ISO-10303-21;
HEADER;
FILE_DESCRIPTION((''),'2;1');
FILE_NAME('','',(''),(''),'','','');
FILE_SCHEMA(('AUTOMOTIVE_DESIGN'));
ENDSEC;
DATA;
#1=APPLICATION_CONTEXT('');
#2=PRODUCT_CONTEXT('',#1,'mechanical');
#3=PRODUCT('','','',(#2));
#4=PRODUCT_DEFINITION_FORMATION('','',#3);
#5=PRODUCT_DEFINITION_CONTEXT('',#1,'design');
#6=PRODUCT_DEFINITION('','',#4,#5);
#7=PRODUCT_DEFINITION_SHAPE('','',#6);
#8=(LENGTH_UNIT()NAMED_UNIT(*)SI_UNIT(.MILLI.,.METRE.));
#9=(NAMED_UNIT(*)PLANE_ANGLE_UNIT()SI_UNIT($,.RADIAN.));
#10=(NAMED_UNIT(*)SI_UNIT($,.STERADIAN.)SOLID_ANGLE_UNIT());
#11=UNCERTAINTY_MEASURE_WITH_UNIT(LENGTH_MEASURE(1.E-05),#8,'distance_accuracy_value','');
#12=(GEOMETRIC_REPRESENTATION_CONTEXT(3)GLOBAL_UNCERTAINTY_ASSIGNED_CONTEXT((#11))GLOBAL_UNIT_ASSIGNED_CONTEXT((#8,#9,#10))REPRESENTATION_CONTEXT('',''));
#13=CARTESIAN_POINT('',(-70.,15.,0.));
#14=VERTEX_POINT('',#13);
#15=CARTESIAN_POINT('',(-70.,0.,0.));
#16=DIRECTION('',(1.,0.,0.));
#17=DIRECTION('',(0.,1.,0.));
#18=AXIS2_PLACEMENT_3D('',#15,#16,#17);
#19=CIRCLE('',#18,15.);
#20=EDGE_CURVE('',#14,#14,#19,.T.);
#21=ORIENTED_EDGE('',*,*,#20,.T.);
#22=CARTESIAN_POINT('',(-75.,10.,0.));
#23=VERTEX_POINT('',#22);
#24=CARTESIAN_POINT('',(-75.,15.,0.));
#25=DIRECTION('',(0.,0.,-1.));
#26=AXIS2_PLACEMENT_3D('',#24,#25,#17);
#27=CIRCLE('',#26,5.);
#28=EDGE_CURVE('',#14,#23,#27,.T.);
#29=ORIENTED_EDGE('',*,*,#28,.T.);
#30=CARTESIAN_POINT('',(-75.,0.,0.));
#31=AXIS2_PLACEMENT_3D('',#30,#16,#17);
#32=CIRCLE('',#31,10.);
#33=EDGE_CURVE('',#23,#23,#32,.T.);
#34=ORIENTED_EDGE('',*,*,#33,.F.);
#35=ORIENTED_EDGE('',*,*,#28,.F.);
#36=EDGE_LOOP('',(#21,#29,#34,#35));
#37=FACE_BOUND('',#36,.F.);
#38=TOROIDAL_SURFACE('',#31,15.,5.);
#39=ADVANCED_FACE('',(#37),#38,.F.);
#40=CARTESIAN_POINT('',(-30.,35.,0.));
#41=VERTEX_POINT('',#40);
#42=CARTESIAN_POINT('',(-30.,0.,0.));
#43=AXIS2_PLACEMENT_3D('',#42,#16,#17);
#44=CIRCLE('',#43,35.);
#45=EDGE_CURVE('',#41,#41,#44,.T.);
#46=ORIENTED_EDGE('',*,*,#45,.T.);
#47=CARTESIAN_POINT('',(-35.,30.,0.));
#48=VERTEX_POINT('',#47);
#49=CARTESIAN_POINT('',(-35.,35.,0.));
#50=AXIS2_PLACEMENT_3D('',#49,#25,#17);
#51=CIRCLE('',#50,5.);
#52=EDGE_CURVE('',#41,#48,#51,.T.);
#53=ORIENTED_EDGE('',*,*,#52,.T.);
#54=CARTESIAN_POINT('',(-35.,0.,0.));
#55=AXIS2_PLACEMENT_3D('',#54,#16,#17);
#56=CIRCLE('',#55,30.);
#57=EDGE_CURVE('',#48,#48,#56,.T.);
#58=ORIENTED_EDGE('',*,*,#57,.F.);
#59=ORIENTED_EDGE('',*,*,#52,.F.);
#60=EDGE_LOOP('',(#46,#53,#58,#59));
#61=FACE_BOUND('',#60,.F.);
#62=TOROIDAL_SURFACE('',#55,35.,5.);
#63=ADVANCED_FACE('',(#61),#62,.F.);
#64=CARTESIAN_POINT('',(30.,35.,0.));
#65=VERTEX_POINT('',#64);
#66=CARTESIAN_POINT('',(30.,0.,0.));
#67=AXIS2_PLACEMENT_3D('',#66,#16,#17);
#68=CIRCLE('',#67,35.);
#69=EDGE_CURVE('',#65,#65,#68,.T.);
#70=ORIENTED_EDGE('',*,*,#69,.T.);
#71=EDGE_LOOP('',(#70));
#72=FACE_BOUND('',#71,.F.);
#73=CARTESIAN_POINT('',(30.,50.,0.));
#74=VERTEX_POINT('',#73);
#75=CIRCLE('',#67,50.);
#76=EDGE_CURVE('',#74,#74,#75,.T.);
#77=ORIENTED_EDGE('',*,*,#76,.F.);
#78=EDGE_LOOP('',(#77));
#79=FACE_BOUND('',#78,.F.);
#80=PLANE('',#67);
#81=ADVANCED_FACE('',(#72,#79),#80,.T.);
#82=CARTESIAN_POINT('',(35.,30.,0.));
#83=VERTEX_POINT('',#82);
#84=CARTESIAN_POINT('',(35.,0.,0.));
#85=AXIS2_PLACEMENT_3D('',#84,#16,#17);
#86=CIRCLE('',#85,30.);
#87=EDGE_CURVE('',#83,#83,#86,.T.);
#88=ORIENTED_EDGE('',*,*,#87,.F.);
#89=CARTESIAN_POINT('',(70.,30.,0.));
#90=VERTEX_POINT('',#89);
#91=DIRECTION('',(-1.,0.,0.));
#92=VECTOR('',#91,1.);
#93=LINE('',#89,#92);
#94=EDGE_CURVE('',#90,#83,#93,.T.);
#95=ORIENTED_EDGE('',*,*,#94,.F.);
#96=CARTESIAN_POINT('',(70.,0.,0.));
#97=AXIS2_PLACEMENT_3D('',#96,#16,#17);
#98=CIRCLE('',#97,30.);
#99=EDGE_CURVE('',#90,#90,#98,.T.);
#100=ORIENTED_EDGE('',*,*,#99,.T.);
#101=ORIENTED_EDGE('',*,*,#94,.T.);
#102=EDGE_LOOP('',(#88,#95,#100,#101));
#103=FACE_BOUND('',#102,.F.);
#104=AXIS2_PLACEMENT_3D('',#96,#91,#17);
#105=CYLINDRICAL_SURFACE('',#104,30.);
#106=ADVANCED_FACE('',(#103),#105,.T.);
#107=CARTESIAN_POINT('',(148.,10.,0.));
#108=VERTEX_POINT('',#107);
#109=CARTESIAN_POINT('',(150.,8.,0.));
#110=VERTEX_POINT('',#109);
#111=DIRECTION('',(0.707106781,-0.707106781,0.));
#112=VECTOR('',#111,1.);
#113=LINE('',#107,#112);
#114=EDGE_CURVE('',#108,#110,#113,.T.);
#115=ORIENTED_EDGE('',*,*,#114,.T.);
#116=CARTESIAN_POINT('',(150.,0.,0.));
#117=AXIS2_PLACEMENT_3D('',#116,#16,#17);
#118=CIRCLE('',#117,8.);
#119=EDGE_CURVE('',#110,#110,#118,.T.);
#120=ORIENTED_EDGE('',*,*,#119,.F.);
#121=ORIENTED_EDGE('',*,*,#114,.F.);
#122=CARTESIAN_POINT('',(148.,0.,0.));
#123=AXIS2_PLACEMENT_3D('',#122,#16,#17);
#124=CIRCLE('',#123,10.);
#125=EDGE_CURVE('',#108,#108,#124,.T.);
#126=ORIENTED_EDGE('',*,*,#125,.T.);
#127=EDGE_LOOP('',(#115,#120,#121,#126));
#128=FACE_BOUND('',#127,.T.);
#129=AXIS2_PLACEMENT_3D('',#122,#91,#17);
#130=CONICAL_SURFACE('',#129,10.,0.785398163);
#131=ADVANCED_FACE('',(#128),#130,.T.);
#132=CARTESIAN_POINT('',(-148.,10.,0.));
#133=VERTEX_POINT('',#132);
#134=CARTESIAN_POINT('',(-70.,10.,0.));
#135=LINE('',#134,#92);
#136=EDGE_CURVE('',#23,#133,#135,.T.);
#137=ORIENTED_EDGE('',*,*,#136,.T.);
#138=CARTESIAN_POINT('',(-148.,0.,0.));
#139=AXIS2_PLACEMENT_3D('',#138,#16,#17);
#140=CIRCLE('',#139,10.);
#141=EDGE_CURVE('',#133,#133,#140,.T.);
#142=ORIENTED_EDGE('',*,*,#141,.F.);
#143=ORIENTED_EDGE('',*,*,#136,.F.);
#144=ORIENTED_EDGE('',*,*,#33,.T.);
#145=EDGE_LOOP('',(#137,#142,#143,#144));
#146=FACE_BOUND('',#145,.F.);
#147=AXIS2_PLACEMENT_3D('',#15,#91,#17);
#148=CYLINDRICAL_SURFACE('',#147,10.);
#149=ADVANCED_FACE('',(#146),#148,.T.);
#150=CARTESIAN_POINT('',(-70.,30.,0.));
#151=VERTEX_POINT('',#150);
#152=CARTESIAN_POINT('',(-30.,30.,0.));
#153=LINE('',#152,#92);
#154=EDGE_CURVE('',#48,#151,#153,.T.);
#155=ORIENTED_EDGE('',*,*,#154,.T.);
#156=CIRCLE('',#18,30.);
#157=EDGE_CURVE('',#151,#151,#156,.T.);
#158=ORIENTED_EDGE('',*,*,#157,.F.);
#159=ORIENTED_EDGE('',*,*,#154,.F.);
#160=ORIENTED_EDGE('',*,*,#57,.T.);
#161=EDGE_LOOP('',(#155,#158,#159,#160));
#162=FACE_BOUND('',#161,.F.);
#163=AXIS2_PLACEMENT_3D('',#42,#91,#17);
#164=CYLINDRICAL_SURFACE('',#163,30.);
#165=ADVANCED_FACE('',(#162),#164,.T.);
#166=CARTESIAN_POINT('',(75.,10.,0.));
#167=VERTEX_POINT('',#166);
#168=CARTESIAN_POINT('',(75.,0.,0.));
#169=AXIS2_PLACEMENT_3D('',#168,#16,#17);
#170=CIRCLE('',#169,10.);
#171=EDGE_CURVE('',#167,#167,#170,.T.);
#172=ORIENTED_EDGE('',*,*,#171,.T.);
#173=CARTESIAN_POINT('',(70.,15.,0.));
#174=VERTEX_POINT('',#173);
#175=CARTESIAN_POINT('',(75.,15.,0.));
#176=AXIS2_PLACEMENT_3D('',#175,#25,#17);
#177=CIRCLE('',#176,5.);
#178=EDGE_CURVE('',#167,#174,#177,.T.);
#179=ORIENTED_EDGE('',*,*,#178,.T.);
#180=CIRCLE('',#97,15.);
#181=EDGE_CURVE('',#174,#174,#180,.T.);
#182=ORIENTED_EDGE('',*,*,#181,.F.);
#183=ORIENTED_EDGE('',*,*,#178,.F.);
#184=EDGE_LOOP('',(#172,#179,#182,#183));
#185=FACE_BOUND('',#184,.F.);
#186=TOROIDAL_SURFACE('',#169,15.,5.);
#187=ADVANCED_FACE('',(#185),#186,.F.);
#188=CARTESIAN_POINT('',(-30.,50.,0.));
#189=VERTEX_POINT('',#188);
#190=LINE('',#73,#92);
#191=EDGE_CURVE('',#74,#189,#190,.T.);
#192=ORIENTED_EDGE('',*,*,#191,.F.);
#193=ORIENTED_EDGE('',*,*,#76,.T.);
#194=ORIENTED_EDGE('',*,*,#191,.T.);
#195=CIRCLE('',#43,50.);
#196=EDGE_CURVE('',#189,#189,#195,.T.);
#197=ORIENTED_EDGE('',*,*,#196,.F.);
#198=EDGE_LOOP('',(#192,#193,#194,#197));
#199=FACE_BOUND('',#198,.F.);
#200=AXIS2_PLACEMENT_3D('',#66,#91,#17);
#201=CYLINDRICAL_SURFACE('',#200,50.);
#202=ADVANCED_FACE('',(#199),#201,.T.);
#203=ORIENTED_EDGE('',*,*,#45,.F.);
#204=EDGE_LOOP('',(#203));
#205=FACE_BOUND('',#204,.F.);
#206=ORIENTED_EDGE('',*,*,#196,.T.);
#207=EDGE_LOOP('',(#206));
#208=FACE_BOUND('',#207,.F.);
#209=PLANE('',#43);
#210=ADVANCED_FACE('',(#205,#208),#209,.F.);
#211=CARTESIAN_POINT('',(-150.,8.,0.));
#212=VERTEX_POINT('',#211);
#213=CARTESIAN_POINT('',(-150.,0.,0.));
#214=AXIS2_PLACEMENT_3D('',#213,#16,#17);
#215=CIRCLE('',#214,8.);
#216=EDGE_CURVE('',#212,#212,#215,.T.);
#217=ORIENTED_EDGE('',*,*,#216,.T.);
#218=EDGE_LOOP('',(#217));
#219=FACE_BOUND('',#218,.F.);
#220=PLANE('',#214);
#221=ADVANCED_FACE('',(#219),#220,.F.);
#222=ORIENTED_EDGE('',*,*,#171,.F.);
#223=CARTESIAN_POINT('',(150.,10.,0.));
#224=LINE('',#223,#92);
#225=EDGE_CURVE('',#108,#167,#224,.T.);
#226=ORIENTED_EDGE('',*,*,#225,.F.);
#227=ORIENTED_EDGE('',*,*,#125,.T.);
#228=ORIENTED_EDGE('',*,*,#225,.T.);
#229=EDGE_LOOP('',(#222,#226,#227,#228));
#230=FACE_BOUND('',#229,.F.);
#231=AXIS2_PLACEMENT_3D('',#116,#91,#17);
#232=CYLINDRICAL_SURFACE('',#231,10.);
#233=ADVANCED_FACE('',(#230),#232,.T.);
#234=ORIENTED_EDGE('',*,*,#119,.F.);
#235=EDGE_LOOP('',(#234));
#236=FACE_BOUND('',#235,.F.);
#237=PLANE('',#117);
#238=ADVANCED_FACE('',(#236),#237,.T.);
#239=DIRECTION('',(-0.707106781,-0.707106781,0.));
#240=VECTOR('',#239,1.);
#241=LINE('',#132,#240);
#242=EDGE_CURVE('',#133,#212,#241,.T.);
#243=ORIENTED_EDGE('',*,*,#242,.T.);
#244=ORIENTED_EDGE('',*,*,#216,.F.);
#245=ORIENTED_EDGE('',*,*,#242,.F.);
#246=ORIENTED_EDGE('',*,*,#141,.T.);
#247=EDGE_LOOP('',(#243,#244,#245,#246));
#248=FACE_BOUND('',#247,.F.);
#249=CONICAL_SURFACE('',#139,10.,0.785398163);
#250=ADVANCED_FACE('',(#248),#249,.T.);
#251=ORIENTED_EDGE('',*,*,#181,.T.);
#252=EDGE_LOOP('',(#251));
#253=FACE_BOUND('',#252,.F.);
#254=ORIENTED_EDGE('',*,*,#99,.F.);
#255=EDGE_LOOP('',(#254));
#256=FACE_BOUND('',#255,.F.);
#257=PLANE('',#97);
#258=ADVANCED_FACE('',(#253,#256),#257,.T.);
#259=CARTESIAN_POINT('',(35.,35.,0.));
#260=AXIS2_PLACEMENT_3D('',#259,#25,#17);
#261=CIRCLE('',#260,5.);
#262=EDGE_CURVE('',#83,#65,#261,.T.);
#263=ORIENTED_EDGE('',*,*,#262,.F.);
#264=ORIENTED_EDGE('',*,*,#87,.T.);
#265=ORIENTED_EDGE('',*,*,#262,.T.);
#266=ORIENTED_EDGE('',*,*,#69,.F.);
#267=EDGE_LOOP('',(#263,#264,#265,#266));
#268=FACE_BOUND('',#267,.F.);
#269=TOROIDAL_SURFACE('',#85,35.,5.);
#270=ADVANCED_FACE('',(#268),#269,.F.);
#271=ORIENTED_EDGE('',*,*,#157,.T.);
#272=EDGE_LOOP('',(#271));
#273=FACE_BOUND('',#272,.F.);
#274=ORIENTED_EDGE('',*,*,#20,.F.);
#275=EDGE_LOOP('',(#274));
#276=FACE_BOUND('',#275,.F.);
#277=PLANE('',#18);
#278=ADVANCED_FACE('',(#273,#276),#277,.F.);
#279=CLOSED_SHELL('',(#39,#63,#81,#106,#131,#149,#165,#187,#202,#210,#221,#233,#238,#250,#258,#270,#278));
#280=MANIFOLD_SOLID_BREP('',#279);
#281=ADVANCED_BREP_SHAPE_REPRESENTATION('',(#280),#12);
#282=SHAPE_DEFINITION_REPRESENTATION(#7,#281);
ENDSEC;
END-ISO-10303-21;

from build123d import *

# Parameters (mm, degrees)
F2_R    = 5
F3_SIZE = 2
F4_R    = 5


with BuildPart() as f1:
    # F0 (on Top) → F1 (revolve)
    with BuildSketch(Plane.XY):
        Polygon((-150, 10), (-150, 0), (150, 0), (150, 10), (70, 10), (70, 30), (30, 30), (30, 50), (-30, 50), (-30, 30), (-70, 30), (-70, 10), align=None)
    revolve(axis=Axis((0, 0, 0), (1, 0, 0)))

    # F2
    f2_edges = [f1.edges().sort_by_distance(p)[0] for p in [
        (-30, -30, 0),
        (30, -30, 0),
    ]]
    fillet(f2_edges, radius=F2_R)

    # F3
    f3_edges = [f1.edges().sort_by_distance(p)[0] for p in [
        (-150, -10, 0),
        (150, -10, 0),
    ]]
    chamfer(f3_edges, length=F3_SIZE)

    # F4
    f4_edges = [f1.edges().sort_by_distance(p)[0] for p in [
        (-70, -10, 0),
        (70, -10, 0),
    ]]
    fillet(f4_edges, radius=F4_R)


solid = f1.part
